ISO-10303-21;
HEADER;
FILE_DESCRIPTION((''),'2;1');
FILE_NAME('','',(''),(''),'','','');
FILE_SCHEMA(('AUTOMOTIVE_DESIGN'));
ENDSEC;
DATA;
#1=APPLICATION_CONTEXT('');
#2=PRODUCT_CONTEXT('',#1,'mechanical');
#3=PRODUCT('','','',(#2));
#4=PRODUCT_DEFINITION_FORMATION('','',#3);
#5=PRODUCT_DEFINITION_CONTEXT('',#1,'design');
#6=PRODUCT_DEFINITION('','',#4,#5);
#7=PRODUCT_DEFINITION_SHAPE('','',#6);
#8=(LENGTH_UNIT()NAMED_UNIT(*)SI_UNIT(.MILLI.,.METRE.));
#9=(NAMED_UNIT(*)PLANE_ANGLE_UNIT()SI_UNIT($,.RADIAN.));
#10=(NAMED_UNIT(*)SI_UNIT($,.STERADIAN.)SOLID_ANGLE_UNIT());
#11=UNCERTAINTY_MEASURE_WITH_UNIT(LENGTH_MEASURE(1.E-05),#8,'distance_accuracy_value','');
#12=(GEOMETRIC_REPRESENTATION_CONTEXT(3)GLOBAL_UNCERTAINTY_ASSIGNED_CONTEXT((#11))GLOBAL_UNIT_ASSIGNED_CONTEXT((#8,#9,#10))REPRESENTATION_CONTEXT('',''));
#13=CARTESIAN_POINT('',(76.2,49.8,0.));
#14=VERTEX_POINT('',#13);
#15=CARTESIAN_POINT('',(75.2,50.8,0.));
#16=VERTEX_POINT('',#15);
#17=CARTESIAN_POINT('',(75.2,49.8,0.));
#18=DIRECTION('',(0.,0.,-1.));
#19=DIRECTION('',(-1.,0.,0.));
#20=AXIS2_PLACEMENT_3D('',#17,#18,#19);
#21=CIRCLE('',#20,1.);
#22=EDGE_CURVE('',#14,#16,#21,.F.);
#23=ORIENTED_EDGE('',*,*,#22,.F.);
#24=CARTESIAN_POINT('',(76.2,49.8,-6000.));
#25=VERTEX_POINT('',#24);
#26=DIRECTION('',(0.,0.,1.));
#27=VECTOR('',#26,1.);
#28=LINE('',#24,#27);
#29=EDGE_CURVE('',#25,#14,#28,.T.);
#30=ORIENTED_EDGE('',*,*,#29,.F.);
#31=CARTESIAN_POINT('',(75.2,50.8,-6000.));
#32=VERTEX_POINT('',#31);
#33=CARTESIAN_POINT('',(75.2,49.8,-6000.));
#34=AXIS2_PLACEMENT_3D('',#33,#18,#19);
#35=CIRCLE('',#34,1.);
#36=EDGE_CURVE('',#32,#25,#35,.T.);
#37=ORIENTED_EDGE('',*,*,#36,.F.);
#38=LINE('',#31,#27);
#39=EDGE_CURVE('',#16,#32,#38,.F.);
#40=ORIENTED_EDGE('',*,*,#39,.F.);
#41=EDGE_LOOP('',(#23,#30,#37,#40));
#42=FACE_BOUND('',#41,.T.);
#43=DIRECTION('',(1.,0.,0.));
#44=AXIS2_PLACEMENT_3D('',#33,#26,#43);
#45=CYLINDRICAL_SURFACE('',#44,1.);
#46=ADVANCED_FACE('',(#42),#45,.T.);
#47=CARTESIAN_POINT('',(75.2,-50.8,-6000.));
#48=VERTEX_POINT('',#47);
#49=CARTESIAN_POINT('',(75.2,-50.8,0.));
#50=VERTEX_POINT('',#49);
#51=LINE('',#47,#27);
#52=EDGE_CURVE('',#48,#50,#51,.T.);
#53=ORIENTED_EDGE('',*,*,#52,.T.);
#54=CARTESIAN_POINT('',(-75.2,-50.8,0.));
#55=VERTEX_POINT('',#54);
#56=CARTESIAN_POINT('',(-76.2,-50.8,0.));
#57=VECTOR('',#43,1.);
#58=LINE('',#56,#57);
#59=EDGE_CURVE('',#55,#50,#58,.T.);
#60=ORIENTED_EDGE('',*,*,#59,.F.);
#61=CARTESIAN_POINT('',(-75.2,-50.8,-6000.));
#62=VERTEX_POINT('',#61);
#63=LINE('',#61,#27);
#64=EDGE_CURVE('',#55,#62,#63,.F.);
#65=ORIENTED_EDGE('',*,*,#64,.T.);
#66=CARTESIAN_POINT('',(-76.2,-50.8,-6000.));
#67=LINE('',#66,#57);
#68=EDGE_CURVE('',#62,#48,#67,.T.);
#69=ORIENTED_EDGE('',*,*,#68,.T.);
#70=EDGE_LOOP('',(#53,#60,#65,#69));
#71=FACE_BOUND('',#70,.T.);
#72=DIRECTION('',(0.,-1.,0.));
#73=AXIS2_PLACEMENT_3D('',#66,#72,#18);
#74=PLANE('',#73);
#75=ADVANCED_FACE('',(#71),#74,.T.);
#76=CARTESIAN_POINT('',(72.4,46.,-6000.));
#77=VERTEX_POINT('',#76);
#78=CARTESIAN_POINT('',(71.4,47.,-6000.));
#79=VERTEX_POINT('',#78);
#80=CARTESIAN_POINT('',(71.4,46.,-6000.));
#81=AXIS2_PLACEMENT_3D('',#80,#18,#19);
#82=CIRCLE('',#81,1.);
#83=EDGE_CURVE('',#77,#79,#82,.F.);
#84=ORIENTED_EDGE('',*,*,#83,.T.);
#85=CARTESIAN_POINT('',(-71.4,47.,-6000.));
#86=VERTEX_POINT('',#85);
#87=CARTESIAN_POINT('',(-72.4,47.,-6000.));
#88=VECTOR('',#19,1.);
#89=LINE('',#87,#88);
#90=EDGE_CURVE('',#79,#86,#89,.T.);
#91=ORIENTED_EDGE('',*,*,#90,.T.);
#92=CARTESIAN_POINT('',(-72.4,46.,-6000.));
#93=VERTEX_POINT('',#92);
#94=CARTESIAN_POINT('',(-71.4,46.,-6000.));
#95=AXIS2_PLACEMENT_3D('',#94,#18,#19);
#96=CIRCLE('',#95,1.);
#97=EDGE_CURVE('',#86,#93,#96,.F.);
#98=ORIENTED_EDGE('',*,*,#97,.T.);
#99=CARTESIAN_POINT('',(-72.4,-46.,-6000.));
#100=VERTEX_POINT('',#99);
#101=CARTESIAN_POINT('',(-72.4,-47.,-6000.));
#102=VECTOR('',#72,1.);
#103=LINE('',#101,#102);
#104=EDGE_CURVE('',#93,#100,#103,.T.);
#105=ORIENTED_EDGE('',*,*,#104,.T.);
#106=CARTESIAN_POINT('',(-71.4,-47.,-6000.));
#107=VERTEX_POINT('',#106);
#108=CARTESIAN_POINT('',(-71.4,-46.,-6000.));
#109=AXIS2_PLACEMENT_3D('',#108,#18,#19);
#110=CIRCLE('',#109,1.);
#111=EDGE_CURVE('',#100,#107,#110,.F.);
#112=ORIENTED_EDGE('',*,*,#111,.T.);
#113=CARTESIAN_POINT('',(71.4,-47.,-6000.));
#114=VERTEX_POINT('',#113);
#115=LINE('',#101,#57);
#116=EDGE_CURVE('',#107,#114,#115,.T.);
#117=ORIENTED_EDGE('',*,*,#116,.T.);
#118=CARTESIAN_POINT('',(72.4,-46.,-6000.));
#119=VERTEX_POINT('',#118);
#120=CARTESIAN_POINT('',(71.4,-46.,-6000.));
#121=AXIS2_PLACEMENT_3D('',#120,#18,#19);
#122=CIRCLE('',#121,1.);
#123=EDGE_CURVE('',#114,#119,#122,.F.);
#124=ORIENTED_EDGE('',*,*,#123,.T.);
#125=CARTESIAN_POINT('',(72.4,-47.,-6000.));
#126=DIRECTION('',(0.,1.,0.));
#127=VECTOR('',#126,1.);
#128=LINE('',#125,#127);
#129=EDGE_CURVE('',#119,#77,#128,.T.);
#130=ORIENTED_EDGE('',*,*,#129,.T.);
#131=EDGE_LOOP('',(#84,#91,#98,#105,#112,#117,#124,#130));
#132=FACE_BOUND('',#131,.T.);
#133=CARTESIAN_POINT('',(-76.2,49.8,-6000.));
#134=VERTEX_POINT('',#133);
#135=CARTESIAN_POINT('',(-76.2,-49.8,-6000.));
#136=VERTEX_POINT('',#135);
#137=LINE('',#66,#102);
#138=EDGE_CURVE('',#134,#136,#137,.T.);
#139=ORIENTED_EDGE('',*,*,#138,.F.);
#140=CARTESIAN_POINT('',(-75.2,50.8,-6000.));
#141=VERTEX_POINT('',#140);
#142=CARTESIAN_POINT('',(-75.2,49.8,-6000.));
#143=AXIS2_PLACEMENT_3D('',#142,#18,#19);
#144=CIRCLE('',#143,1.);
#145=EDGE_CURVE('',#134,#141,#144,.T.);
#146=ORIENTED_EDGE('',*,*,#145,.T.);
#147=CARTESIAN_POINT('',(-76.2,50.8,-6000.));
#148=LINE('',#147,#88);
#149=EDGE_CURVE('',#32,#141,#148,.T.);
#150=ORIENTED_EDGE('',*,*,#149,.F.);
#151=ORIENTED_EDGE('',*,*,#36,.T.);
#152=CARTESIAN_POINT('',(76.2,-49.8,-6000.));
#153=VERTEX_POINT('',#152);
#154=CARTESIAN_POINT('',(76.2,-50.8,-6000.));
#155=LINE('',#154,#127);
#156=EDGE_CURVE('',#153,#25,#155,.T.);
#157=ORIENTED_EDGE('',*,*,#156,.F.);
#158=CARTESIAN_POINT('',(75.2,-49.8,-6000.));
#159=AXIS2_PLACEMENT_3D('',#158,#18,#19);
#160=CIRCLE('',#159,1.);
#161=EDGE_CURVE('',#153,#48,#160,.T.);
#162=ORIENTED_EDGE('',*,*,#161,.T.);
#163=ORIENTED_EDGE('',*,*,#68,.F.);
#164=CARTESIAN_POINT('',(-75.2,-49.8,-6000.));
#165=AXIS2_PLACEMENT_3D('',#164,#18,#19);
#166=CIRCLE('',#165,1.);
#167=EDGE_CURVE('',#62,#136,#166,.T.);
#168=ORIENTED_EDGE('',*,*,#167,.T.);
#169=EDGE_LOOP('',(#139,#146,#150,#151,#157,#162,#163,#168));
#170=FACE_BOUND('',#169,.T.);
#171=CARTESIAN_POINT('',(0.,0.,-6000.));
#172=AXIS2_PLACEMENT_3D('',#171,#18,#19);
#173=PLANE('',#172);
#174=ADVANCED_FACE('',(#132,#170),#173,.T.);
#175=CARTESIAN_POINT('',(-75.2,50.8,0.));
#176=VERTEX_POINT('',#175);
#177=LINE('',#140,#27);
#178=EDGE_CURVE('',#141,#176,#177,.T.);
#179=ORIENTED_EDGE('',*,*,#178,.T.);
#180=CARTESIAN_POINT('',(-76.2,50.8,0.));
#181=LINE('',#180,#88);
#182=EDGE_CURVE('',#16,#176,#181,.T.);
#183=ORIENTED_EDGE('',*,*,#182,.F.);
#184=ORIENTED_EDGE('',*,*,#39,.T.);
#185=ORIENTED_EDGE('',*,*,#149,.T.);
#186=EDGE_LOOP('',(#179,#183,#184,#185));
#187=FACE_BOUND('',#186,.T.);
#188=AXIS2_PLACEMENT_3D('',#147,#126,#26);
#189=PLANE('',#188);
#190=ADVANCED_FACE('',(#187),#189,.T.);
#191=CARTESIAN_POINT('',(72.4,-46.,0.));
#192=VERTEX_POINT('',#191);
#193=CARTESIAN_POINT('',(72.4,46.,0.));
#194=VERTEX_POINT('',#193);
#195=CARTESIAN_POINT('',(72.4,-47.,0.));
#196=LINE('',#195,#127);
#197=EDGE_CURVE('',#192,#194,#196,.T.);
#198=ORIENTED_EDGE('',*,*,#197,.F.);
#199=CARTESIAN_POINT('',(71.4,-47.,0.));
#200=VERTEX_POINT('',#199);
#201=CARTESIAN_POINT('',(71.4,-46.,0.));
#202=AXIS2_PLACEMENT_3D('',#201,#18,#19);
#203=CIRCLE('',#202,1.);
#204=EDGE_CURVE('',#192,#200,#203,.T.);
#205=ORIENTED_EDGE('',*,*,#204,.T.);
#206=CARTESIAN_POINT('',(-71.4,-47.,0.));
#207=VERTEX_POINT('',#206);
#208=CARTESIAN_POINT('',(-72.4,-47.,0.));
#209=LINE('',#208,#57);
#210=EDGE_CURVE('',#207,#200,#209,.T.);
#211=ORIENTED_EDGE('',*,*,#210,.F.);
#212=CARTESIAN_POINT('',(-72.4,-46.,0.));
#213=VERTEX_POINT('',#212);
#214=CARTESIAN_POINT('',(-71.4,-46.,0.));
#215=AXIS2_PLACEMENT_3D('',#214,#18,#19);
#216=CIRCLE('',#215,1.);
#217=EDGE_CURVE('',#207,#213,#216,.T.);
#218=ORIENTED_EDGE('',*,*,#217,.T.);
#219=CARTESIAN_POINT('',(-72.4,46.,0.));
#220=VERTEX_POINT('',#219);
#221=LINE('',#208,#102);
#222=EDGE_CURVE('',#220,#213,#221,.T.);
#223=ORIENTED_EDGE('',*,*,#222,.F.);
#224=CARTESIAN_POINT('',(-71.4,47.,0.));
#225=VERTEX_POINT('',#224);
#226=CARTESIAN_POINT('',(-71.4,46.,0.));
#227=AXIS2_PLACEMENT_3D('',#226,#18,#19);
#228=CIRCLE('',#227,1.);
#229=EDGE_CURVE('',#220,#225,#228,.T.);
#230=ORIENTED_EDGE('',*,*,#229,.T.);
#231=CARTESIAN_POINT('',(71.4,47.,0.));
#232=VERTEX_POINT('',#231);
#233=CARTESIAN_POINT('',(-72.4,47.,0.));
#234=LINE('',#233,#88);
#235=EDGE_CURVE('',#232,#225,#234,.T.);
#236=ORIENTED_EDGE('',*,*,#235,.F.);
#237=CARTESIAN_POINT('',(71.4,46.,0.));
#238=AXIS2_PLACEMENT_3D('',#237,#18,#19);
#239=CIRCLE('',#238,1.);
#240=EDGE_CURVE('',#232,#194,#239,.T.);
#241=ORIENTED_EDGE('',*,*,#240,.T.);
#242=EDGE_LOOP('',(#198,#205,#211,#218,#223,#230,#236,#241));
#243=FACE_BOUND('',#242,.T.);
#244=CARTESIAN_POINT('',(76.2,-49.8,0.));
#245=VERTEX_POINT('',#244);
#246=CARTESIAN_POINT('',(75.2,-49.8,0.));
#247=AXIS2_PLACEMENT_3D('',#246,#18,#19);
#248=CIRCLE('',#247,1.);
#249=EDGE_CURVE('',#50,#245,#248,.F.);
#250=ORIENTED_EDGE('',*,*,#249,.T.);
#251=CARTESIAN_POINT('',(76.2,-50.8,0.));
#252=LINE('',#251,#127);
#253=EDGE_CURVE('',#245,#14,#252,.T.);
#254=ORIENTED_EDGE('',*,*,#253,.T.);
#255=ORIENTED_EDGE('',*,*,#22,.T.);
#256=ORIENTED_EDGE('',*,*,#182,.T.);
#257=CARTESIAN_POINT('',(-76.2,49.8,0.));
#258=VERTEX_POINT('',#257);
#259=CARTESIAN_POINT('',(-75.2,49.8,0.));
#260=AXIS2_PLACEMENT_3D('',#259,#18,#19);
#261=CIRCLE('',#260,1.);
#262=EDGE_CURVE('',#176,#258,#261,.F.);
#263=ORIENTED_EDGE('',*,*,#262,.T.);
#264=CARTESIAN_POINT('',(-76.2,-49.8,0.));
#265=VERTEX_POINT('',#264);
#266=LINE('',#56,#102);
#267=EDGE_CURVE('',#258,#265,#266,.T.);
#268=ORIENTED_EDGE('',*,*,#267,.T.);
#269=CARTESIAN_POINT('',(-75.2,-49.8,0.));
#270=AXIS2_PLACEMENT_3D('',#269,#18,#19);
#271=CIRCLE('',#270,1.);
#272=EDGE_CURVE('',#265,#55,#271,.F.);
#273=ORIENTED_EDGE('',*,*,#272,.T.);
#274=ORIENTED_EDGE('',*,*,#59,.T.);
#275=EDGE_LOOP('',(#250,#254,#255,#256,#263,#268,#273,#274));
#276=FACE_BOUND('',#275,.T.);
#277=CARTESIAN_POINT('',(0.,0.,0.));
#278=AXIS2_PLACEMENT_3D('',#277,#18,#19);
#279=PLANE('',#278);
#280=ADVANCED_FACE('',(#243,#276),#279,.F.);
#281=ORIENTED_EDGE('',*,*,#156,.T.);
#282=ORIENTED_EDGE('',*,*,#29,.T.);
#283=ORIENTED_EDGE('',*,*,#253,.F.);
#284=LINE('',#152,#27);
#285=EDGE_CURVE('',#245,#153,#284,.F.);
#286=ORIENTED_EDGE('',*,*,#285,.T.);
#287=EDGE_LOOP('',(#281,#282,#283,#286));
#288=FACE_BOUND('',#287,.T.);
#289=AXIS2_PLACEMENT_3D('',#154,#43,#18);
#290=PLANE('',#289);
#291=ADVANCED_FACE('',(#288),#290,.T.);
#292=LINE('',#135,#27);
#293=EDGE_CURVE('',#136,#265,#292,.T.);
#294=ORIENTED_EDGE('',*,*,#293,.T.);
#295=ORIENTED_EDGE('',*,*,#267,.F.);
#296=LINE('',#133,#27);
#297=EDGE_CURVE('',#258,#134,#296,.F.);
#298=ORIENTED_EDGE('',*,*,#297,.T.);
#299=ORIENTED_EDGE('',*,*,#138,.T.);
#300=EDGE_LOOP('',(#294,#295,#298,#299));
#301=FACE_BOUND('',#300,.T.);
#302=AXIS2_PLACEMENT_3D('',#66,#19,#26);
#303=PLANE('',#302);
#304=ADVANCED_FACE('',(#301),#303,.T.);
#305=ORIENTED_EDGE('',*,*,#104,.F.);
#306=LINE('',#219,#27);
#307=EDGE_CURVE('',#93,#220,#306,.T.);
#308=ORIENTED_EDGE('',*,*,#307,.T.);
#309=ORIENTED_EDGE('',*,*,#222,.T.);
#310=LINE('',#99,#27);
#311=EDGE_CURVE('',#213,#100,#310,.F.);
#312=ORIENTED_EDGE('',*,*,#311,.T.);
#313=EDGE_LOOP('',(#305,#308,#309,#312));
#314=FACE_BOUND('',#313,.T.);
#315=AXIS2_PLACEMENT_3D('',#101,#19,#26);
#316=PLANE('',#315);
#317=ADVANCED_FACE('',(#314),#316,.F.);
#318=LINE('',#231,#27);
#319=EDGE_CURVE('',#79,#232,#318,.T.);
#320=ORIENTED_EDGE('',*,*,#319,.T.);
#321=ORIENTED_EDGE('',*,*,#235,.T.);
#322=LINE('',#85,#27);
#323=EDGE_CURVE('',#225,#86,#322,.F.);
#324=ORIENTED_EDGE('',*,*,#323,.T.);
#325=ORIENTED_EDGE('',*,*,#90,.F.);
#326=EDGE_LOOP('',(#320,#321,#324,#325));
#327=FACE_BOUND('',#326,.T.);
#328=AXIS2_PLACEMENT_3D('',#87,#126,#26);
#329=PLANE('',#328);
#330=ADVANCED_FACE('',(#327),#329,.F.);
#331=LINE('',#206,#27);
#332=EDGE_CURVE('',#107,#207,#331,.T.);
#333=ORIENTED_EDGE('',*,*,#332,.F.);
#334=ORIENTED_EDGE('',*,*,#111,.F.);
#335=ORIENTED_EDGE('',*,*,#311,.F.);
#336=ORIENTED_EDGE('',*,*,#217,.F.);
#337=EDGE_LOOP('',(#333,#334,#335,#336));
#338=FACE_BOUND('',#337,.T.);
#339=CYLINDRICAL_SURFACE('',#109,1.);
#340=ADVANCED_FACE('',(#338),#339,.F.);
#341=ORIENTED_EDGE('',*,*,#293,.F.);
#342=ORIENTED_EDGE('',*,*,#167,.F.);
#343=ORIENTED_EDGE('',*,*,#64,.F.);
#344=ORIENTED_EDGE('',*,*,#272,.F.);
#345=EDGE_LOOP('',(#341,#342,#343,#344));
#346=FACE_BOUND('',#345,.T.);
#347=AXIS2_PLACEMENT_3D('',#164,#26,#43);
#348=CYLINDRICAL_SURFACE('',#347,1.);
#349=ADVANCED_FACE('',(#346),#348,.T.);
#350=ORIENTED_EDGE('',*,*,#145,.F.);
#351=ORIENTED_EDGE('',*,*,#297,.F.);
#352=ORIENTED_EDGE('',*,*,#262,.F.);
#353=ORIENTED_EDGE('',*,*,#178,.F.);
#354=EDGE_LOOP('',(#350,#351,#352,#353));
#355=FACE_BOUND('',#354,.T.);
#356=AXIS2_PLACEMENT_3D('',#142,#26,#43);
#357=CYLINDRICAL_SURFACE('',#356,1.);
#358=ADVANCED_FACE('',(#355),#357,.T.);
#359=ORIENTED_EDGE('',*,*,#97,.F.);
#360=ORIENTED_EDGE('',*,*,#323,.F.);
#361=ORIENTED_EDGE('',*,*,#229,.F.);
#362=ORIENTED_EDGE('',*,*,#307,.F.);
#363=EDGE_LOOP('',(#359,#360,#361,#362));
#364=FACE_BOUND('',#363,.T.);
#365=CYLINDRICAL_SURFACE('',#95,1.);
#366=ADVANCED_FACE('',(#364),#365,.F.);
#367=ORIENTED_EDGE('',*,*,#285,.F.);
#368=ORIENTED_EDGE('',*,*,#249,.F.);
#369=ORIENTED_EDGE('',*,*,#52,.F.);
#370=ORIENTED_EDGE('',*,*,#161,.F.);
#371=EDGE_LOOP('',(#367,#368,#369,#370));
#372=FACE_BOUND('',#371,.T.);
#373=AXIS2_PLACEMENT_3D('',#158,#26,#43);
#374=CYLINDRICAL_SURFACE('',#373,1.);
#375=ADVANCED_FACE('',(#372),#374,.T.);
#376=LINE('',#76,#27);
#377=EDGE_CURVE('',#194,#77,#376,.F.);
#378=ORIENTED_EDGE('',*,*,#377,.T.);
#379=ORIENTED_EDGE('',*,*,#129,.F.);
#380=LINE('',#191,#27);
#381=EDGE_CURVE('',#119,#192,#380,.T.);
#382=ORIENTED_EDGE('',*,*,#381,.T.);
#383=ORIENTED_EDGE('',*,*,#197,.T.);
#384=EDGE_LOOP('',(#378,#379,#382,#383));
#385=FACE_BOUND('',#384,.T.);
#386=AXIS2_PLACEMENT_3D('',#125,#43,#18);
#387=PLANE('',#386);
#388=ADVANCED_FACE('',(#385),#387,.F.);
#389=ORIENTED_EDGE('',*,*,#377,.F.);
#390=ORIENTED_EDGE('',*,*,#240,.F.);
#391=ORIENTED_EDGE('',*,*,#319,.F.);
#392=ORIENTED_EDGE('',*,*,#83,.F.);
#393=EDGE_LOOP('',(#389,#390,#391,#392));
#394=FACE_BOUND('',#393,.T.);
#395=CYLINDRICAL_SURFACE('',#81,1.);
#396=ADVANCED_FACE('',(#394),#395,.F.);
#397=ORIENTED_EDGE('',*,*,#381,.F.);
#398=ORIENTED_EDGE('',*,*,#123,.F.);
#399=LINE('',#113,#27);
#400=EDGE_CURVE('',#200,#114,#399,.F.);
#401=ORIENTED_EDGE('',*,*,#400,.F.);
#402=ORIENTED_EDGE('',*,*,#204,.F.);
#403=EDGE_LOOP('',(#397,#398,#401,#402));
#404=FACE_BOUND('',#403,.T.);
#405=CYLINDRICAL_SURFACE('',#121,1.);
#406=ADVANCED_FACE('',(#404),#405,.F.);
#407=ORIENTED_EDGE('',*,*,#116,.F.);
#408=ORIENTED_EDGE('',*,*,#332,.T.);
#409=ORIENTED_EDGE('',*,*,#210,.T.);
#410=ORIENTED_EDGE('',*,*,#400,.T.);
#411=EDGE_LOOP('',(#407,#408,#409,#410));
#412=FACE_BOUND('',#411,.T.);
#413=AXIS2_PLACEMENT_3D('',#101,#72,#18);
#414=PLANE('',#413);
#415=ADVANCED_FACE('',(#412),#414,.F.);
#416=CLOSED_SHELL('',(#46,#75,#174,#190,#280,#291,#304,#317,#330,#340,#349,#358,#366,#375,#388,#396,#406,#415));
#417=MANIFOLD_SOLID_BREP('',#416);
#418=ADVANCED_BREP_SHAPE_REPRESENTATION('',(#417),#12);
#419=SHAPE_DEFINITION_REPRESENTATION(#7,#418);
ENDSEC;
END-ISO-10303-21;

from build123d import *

# Parameters (mm, degrees)
CROQUIS1_W              = 152.4
CROQUIS1_H              = 101.6
CROQUIS1_W_2            = 144.8
CROQUIS1_H_2            = 94
SALIENTE_EXTRUIR1_DEPTH = 6000
REDONDEO1_R             = 1


with BuildPart() as part:
    # Croquis1 → Saliente-Extruir1 (new body)
    with BuildSketch(Plane.XY):
        Rectangle(CROQUIS1_W, CROQUIS1_H)
        Rectangle(CROQUIS1_W_2, CROQUIS1_H_2, mode=Mode.SUBTRACT)
    extrude(amount=-SALIENTE_EXTRUIR1_DEPTH)

    # Redondeo1
    redondeo1_edges = [part.edges().sort_by_distance(p)[0] for p in [
        (72.4, -47, -3000),
        (-72.4, -47, -3000),
        (-72.4, 47, -3000),
        (72.4, 47, -3000),
        (76.2, -50.8, -3000),
        (-76.2, -50.8, -3000),
        (-76.2, 50.8, -3000),
        (76.2, 50.8, -3000),
    ]]
    fillet(redondeo1_edges, radius=REDONDEO1_R)


solid = part.part
